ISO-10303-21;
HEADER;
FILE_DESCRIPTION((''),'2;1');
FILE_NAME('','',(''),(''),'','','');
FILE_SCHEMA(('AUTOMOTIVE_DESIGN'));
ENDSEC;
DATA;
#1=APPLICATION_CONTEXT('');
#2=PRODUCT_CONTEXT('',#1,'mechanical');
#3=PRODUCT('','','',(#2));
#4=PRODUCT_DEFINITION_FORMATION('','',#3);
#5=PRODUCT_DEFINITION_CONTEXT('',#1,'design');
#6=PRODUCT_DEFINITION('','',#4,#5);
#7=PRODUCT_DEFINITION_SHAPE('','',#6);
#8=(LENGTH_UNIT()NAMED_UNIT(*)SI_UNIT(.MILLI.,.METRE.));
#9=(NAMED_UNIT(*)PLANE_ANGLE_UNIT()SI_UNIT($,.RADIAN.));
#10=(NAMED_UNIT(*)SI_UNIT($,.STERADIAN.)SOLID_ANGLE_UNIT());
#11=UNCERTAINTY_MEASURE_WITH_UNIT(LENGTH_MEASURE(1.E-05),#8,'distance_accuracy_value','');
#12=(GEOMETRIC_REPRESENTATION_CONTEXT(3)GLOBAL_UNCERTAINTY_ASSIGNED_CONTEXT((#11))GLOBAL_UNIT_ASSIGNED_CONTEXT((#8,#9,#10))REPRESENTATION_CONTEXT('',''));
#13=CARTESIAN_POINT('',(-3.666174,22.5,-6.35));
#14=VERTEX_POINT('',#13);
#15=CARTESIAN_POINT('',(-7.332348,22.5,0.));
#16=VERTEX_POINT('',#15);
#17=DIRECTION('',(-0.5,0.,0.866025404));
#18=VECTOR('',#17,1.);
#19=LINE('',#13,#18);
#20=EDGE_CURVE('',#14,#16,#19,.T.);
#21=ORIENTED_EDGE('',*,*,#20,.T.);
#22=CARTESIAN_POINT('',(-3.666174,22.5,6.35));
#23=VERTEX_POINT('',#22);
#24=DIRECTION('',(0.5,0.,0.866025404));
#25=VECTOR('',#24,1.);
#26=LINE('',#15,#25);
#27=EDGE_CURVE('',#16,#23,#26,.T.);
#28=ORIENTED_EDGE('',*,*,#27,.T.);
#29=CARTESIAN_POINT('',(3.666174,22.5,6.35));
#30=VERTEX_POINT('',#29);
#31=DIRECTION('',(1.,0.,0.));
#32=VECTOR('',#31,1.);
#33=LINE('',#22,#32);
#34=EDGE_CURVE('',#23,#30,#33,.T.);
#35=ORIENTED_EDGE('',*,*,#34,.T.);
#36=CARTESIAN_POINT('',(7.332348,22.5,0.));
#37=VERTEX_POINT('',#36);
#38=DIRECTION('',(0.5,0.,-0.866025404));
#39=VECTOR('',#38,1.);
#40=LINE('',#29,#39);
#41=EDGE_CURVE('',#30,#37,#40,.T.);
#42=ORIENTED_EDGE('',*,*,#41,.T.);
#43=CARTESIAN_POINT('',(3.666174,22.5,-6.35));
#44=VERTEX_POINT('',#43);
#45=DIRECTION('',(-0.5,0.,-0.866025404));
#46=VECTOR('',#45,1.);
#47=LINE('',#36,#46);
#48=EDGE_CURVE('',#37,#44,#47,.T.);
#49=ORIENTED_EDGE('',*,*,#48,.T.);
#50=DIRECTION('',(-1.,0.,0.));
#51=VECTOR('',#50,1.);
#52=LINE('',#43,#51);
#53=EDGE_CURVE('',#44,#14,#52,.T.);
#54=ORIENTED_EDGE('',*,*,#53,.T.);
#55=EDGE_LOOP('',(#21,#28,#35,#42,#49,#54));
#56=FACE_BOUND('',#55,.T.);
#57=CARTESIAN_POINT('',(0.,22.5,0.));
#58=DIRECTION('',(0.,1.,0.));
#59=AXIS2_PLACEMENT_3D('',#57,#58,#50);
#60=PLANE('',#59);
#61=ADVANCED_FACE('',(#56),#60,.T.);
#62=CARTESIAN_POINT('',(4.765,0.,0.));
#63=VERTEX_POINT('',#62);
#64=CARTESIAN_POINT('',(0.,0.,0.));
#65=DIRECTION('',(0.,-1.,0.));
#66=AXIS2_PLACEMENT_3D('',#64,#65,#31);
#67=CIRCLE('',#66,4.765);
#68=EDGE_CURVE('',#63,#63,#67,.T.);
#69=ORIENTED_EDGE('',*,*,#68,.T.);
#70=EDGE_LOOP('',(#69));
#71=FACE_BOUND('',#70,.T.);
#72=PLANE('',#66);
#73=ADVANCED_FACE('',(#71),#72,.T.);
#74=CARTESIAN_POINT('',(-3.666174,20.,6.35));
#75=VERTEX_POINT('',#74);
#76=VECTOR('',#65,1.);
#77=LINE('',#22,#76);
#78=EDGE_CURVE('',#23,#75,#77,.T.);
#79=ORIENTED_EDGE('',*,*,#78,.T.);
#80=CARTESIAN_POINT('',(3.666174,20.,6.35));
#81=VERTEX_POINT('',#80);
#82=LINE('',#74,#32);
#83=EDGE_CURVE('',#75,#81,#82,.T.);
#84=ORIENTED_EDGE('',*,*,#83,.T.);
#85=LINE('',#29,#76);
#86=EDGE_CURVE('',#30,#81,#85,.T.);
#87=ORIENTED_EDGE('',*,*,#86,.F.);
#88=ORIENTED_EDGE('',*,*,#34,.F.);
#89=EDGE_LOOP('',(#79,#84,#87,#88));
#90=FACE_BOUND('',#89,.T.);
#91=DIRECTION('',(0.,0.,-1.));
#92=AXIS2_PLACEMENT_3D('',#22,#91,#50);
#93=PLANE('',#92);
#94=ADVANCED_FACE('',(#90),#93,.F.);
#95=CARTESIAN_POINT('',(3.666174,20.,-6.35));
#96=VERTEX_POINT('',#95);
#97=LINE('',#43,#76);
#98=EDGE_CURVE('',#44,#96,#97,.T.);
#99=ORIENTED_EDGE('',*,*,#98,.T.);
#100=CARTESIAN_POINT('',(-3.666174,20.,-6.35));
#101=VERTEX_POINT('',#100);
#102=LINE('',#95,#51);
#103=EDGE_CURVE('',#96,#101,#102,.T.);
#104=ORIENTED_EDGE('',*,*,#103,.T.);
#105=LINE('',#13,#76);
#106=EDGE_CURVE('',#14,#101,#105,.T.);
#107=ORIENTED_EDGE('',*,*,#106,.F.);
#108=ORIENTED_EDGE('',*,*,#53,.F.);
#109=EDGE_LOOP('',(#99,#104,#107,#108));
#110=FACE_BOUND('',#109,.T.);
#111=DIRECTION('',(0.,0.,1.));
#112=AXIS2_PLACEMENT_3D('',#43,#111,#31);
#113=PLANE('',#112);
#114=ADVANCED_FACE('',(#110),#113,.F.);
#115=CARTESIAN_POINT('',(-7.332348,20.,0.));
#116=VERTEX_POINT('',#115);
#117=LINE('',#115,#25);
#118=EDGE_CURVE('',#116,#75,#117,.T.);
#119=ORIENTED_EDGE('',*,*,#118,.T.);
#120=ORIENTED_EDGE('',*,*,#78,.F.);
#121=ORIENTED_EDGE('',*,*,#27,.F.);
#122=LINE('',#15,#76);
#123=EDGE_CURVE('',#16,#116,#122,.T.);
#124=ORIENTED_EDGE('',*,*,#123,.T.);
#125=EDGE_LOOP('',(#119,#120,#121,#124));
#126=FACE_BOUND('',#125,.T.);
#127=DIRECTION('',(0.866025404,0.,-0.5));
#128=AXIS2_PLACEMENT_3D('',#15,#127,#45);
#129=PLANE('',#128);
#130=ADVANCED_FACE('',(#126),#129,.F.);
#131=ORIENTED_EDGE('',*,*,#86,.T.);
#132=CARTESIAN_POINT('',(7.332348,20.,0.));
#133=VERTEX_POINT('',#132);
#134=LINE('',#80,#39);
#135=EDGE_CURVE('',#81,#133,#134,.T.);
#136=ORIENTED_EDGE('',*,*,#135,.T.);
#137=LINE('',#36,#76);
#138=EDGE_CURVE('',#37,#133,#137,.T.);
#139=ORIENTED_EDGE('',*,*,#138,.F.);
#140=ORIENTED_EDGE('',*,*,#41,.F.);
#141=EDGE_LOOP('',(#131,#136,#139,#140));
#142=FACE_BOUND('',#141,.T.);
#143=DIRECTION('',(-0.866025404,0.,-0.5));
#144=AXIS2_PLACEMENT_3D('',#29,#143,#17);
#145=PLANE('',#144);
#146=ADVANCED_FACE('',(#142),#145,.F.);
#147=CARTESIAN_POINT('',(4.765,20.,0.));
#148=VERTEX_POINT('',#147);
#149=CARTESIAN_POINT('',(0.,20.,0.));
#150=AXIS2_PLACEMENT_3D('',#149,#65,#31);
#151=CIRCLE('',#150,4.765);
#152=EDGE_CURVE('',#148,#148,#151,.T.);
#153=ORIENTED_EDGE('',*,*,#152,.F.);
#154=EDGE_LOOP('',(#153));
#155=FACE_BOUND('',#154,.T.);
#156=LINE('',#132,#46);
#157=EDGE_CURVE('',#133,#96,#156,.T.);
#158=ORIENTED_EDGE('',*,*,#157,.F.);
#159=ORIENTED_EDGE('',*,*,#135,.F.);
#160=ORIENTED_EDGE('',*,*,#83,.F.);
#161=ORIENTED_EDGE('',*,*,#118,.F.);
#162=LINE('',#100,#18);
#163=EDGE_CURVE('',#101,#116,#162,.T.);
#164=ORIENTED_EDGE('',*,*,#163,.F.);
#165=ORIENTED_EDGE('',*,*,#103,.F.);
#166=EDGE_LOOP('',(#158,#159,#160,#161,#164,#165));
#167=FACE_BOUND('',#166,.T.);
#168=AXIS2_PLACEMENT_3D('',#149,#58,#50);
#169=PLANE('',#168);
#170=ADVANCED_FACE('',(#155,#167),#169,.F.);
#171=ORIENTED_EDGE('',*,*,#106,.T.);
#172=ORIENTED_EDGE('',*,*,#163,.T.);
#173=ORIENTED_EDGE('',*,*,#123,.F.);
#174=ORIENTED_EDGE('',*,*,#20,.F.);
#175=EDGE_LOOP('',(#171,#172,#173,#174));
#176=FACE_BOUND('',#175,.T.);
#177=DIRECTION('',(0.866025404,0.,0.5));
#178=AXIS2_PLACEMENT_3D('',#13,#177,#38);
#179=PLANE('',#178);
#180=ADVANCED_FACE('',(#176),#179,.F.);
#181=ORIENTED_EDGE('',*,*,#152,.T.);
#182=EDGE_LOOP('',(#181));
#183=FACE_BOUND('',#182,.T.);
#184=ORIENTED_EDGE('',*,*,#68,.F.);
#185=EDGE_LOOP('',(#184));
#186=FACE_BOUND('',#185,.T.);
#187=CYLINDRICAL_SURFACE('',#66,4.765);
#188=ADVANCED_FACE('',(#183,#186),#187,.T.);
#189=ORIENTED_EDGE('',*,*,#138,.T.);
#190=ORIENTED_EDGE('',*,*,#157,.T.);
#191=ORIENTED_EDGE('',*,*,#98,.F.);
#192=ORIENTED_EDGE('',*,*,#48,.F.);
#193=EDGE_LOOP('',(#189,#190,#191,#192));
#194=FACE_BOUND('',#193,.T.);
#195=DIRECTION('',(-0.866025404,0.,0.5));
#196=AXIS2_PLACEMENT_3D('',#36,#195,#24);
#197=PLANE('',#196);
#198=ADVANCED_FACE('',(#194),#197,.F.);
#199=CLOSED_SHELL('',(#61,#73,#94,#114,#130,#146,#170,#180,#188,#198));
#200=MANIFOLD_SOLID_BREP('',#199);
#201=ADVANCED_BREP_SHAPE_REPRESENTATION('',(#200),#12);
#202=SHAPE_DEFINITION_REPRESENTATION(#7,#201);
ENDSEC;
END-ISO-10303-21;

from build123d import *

# Parameters (mm, degrees)
CROQUIS1_W              = 4.765
CROQUIS1_H              = 20
SALIENTE_EXTRUIR1_DEPTH = 2.5


with BuildPart() as part:
    # Croquis1 → Revolución1 (revolve)
    with BuildSketch(Plane.XY):
        with Locations((2.3825, 10)):
            Rectangle(CROQUIS1_W, CROQUIS1_H)
    revolve(axis=Axis((0, 0, 0), (0, 1, 0)))

    # Croquis2 → Saliente-Extruir1 (add)
    with BuildSketch(Plane(origin=(0, 20, 0), x_dir=(1, 0, 0), z_dir=(0, 1, 0))):
        Polygon((-7.332348419, 0), (-3.666174209, -6.35), (3.666174209, -6.35), (7.332348419, 0), (3.666174209, 6.35), (-3.666174209, 6.35), align=None)
    extrude(amount=SALIENTE_EXTRUIR1_DEPTH)


solid = part.part
